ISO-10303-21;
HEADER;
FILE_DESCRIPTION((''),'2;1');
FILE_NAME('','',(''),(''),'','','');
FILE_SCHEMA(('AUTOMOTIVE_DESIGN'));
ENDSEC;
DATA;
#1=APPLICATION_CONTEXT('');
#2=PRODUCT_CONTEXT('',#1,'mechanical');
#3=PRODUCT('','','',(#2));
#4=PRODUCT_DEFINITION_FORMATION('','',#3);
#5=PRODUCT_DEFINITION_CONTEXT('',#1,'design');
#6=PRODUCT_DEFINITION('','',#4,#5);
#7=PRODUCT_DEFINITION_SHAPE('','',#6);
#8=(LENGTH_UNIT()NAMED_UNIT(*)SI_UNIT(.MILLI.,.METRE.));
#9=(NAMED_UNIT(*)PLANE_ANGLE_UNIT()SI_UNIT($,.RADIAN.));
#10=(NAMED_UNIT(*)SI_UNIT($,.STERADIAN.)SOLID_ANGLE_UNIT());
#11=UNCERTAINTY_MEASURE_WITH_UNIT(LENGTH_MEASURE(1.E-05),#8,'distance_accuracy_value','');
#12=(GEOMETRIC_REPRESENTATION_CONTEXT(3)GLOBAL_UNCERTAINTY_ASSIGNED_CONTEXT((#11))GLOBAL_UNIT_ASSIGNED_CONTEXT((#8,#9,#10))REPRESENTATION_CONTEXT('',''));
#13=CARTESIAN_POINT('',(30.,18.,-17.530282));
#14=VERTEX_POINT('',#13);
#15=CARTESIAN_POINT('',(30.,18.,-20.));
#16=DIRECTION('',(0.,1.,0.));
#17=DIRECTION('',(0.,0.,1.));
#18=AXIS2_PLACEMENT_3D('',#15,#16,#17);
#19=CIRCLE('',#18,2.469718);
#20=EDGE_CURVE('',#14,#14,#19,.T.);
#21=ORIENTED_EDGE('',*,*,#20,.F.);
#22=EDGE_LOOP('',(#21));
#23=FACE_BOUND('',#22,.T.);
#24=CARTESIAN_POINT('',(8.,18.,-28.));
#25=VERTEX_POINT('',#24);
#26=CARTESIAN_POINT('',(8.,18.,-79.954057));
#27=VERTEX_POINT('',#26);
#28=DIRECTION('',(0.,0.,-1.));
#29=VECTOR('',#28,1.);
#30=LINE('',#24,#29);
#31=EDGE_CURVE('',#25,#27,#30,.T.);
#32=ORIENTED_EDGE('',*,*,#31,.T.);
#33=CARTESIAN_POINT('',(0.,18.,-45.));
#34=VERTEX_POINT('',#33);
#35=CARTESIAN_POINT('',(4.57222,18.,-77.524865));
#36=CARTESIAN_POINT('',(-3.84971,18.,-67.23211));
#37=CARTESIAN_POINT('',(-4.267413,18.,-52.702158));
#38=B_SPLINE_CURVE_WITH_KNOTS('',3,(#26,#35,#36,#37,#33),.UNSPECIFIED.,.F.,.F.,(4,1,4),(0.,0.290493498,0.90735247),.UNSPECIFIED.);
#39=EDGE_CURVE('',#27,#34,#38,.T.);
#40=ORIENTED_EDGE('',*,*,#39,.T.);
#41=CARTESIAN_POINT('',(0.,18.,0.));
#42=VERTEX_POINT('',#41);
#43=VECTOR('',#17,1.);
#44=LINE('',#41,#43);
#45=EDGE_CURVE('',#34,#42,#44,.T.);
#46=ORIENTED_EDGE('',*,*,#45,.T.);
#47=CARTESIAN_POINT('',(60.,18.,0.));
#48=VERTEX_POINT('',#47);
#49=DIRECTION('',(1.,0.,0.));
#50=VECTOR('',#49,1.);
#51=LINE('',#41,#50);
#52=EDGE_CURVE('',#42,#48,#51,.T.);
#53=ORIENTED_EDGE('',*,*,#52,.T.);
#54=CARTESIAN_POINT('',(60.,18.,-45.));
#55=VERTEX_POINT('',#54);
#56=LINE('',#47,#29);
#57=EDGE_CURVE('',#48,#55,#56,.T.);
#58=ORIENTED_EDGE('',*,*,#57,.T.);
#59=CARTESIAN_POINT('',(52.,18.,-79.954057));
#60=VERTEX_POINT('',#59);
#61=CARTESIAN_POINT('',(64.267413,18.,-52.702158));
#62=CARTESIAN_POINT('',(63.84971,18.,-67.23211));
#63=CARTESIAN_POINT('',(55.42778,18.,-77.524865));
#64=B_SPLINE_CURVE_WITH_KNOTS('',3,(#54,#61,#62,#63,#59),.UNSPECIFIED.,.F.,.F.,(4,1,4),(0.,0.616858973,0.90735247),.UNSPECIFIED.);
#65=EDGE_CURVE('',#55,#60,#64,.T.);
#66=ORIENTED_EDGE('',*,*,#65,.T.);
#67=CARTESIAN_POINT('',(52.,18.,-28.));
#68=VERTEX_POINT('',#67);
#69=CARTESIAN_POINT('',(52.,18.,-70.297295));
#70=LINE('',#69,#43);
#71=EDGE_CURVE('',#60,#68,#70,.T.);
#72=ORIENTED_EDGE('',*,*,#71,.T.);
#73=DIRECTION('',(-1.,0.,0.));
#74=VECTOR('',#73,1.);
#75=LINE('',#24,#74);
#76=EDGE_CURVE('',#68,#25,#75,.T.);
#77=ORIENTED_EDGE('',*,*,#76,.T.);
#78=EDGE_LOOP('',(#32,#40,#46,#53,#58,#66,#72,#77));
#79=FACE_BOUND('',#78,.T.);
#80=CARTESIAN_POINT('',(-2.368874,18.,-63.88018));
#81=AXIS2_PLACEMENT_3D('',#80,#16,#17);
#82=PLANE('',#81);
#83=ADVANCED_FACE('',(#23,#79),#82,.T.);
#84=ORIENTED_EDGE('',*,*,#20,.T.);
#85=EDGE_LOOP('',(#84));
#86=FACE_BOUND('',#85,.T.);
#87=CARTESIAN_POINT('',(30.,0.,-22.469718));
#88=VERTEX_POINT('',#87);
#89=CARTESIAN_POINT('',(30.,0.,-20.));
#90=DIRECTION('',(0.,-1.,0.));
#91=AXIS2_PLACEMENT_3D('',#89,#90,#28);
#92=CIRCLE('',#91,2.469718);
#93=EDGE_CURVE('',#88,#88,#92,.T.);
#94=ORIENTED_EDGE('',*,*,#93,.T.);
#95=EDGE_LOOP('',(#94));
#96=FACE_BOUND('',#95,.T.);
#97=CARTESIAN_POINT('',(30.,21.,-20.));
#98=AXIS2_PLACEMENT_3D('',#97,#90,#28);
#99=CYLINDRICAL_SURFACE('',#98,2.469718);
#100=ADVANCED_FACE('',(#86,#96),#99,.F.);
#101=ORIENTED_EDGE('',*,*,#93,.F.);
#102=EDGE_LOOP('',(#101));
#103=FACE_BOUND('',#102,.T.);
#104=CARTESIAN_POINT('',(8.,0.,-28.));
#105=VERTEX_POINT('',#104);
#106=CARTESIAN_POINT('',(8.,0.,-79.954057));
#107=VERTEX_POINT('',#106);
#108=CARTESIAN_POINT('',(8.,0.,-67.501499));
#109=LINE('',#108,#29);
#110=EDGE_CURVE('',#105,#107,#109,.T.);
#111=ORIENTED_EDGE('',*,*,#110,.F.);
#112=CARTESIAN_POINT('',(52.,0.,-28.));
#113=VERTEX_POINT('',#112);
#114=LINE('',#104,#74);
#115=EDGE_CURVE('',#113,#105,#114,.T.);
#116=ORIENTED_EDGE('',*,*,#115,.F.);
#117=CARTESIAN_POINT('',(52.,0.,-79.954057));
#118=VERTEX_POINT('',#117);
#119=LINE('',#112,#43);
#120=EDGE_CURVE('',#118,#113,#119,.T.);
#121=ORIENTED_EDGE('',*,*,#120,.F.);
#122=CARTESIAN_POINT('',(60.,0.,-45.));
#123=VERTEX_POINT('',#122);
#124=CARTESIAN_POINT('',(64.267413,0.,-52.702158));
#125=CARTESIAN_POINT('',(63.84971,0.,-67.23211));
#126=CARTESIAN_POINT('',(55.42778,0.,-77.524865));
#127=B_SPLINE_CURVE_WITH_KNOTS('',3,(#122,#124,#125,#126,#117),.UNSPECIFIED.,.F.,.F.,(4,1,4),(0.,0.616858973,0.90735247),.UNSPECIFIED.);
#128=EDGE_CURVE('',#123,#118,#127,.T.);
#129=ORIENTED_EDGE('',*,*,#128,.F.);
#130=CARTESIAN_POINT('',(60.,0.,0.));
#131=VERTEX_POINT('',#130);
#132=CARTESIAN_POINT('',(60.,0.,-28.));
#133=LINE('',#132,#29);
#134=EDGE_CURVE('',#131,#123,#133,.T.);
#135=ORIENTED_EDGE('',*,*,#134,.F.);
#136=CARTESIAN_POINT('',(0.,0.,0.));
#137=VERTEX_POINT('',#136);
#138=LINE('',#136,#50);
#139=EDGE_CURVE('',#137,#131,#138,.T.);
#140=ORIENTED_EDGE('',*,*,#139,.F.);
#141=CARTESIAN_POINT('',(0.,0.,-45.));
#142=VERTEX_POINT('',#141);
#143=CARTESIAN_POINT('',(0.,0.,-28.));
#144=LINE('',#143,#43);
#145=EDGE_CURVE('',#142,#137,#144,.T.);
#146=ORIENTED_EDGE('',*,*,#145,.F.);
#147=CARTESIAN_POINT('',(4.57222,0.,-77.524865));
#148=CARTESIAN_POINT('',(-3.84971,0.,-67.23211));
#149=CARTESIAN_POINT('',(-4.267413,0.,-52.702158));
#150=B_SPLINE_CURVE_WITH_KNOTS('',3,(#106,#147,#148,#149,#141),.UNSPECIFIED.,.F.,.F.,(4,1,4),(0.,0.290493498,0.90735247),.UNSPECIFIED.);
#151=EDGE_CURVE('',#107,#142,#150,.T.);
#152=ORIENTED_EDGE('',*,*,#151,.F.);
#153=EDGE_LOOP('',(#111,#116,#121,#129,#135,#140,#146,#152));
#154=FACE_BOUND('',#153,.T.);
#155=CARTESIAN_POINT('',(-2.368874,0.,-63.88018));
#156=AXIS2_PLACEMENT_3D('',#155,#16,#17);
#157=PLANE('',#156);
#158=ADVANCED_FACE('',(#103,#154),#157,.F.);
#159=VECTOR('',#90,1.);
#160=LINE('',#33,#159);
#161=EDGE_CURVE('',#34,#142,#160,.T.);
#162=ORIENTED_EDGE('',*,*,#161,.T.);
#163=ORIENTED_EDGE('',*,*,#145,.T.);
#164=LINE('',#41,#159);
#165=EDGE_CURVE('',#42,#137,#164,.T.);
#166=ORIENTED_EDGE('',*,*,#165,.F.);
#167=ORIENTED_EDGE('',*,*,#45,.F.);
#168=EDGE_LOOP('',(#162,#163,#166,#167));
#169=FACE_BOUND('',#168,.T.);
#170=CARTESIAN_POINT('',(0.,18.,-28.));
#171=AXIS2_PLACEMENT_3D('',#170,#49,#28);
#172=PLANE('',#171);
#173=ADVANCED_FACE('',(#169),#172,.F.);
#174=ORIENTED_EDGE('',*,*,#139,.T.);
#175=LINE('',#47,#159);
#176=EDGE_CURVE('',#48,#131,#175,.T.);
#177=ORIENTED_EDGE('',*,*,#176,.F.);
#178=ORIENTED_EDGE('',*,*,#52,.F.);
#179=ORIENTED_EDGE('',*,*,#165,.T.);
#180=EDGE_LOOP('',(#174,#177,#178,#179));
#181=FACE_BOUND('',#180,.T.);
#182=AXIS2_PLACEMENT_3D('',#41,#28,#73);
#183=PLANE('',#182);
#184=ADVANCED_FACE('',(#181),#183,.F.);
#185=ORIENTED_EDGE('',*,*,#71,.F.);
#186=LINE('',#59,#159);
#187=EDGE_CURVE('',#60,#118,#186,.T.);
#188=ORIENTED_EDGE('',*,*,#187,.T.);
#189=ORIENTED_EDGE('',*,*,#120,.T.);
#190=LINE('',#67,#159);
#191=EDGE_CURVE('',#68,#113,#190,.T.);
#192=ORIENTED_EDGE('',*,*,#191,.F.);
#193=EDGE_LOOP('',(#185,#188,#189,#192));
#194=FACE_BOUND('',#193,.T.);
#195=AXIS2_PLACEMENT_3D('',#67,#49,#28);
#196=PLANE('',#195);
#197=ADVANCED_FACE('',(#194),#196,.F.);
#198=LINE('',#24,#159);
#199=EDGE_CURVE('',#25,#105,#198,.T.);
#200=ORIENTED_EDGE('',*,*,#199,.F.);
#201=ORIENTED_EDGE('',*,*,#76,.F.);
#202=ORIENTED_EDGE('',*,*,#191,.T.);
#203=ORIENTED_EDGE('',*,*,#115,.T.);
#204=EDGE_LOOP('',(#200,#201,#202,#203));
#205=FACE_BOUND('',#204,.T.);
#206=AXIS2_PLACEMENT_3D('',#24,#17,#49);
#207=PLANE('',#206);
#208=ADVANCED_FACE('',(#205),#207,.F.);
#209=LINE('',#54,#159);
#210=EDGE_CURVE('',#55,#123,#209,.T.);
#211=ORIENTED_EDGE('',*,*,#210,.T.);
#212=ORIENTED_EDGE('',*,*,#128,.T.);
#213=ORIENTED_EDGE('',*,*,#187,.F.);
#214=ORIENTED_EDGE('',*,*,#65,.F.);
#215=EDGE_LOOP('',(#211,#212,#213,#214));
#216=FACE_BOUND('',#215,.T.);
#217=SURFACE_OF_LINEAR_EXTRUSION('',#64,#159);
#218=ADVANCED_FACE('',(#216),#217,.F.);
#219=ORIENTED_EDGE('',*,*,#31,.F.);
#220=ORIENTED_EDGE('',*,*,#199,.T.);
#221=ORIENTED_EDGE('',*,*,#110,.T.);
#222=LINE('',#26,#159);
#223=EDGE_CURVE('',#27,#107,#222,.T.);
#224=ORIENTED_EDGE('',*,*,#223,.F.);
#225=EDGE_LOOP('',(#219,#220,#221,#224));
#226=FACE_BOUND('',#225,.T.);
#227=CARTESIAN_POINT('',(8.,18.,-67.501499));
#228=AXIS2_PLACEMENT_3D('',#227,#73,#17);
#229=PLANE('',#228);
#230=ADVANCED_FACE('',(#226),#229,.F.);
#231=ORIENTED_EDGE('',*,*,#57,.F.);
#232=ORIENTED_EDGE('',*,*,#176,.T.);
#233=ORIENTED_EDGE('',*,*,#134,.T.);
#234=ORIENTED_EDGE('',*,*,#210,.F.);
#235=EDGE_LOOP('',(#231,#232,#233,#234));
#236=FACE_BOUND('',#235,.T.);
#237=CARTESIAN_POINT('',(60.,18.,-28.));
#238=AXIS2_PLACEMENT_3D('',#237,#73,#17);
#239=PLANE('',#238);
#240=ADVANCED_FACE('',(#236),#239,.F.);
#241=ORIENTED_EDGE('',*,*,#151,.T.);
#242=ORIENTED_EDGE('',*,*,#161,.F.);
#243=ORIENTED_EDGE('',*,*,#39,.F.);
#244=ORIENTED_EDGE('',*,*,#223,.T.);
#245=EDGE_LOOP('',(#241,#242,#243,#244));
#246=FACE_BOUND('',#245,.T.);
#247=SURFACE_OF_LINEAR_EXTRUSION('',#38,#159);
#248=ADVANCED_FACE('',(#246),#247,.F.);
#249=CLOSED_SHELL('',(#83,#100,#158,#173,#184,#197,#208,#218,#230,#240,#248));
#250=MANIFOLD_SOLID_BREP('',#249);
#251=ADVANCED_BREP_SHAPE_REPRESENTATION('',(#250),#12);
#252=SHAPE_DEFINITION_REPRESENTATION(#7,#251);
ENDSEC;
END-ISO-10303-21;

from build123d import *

# Parameters (mm, degrees)
BOSS_EXTRUDE1_DEPTH = 18
SKETCH3_R           = 2.469718116
CUT_EXTRUDE1_DEPTH  = 21


with BuildPart() as part:
    # Sketch1 → Boss-Extrude1 (new body)
    with BuildSketch(Plane(origin=(0, 0, 0), x_dir=(1, 0, 0), z_dir=(0, 1, 0))):
        with BuildLine():
            Line((8, 67.50149873), (8, 79.954057008))
            add(Edge.make_bspline(
                [(0, 45), (-4.267413412, 52.702157849), (-3.849710429, 67.232110416), (4.572220088, 77.524864833), (8, 79.954057008)],
                knots=[0, 0, 0, 0, 0.616858973, 0.90735247, 0.90735247, 0.90735247, 0.90735247], degree=3))
            Line((0, 45), (0, 28))
            Line((0, 28), (0, 0))
            Line((0, 0), (60, 0))
            Line((60, 0), (60, 28))
            Line((60, 28), (60, 45))
            add(Edge.make_bspline(
                [(60, 45), (64.267413412, 52.702157849), (63.849710429, 67.232110416), (55.427779912, 77.524864833), (52, 79.954057008)],
                knots=[0, 0, 0, 0, 0.616858973, 0.90735247, 0.90735247, 0.90735247, 0.90735247], degree=3))
            Line((52, 79.954057008), (52, 70.29729534))
            Line((52, 70.29729534), (52, 28))
            Line((52, 28), (8, 28))
            Line((8, 28), (8, 67.50149873))
        make_face()
    extrude(amount=BOSS_EXTRUDE1_DEPTH)

    # Sketch3 → Cut-Extrude1 (cut)
    with BuildSketch(Plane.XZ):
        with Locations(Location((30, -20, 0), (0, 0, 270))):
            Circle(SKETCH3_R)
    extrude(amount=-CUT_EXTRUDE1_DEPTH, mode=Mode.SUBTRACT)


solid = part.part
